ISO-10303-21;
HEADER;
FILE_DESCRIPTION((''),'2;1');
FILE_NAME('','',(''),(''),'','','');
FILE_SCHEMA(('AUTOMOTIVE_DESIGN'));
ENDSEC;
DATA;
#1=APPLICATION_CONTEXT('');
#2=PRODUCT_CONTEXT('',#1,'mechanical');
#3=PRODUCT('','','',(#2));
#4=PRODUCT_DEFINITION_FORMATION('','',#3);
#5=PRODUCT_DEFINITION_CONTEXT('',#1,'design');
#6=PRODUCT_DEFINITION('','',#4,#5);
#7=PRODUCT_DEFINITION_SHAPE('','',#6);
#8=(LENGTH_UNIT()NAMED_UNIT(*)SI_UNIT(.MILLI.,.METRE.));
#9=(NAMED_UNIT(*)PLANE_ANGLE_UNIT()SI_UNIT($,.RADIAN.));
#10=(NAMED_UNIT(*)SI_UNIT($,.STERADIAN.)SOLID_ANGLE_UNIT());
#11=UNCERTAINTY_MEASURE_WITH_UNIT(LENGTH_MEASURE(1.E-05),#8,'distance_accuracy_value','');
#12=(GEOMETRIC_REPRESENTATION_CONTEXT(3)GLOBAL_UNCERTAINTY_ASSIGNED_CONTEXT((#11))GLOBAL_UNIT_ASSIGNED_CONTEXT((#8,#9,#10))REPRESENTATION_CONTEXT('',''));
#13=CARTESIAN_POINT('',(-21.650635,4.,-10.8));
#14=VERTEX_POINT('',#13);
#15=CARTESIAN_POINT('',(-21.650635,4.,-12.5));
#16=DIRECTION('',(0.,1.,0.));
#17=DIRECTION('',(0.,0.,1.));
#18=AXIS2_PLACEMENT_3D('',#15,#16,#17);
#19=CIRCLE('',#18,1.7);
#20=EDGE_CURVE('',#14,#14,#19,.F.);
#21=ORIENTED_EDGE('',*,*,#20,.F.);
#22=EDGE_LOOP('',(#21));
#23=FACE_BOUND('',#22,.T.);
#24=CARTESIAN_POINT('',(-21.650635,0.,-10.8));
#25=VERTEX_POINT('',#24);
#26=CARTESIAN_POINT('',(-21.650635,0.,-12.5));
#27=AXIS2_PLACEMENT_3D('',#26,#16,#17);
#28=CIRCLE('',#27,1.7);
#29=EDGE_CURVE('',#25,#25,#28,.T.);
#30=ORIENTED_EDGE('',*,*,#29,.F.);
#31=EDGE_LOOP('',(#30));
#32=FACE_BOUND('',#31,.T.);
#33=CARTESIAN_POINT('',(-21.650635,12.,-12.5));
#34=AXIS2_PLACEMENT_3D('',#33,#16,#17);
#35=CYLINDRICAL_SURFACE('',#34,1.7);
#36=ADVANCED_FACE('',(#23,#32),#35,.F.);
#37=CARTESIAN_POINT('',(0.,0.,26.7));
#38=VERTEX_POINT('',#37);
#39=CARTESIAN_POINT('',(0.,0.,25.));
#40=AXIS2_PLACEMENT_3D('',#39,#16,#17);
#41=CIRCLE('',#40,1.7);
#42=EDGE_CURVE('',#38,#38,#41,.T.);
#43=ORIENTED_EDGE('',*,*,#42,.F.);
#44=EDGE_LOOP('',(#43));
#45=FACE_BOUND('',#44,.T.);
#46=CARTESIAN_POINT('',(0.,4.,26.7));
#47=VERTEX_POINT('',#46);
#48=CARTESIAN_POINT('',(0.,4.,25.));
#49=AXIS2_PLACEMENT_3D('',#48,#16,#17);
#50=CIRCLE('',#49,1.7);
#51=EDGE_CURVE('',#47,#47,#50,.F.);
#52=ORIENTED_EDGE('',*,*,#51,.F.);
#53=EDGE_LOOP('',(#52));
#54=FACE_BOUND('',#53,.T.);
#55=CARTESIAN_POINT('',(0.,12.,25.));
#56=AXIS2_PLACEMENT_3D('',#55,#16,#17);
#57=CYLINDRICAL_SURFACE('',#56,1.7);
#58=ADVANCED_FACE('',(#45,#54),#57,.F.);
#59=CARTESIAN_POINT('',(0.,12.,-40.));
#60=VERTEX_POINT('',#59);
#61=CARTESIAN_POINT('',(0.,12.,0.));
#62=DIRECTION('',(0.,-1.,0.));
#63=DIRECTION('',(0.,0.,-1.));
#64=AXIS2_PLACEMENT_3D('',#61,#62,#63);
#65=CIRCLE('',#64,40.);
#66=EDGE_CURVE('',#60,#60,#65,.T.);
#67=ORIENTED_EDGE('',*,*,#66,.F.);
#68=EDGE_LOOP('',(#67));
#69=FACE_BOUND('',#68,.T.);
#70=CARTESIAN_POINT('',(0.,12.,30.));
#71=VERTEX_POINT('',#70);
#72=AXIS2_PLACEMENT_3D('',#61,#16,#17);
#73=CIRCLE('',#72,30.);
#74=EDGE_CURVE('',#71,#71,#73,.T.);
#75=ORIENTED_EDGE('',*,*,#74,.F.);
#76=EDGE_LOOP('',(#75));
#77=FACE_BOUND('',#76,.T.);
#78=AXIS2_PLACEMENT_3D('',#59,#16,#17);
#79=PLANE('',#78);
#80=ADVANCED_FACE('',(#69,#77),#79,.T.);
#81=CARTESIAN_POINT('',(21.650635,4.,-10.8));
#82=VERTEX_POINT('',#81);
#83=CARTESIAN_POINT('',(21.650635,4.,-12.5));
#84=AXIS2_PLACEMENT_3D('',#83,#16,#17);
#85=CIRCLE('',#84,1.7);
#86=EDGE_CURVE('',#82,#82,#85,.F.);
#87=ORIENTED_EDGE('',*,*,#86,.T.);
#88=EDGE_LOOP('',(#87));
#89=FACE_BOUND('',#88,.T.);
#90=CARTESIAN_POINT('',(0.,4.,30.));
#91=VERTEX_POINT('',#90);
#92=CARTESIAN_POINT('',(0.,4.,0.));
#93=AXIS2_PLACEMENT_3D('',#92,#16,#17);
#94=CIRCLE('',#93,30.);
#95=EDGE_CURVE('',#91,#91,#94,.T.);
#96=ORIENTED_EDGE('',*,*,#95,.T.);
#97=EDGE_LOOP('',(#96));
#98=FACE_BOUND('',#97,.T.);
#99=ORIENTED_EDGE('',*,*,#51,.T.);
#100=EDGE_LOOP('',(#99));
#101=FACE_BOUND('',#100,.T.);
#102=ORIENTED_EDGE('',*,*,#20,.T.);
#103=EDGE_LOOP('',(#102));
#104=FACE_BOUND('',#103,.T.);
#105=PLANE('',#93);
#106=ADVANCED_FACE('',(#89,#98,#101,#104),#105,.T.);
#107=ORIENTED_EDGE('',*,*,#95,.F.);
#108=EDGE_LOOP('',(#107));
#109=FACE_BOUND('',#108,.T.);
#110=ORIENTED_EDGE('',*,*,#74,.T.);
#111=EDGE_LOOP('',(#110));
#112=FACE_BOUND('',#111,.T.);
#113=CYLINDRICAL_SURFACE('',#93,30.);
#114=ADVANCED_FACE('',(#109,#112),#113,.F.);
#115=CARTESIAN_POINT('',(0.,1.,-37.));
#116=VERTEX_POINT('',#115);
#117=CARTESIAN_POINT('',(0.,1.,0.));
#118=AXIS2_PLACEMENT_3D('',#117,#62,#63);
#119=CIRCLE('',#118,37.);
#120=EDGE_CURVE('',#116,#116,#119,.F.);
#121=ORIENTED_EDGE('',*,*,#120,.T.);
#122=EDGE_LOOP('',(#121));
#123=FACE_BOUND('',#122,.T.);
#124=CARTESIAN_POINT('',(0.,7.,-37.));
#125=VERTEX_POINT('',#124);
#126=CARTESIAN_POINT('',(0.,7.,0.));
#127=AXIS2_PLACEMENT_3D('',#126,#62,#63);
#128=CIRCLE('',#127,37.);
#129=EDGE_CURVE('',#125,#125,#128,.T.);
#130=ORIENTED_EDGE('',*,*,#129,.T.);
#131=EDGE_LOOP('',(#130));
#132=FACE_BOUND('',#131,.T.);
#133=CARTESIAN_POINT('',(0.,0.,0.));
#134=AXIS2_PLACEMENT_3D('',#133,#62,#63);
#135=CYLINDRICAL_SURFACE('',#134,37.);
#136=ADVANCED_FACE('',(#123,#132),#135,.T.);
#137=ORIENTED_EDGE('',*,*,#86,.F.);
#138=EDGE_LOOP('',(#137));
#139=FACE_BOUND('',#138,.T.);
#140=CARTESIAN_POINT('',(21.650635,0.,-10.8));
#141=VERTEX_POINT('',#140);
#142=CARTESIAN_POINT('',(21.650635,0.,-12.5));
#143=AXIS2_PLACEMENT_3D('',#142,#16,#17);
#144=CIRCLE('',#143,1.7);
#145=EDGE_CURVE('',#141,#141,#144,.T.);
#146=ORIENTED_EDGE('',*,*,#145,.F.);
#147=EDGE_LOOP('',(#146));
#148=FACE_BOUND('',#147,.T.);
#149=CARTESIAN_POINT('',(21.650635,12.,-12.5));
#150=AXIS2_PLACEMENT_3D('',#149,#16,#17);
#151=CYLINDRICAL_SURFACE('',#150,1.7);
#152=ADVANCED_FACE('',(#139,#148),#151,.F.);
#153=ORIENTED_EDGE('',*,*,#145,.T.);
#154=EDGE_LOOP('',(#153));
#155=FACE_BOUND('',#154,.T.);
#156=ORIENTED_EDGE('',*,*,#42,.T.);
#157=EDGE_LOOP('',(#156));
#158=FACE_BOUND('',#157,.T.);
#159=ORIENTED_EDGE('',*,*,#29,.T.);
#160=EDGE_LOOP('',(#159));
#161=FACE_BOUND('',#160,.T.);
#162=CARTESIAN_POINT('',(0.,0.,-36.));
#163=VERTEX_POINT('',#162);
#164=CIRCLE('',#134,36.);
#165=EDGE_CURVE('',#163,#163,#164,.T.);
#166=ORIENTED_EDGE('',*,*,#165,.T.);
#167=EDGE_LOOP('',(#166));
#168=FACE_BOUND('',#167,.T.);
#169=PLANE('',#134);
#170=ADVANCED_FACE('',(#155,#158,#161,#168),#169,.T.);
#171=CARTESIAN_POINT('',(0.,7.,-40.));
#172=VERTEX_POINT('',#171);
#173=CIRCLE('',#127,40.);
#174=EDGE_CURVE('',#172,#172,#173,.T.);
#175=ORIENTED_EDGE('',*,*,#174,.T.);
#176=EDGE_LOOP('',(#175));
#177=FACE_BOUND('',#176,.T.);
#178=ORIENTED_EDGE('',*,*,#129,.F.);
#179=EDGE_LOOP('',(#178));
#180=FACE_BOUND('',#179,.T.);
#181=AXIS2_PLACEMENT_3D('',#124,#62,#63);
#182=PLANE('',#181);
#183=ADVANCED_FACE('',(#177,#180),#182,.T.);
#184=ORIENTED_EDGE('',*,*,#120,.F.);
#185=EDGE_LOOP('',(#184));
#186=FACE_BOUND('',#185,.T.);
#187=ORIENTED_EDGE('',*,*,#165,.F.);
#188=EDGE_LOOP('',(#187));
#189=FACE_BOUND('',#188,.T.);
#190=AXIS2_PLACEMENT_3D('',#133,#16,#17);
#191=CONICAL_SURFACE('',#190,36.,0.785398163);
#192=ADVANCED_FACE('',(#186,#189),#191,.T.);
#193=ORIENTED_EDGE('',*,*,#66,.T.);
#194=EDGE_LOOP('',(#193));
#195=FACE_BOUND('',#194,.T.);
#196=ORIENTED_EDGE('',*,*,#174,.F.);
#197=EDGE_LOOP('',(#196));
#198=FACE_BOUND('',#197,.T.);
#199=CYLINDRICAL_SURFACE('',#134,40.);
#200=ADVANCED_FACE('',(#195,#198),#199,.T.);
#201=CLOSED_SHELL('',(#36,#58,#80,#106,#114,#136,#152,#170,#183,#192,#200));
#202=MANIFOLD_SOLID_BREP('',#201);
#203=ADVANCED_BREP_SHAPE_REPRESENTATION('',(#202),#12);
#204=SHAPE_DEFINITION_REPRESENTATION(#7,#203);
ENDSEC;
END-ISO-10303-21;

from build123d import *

# Parameters (mm, degrees)
CHAMFER_1_SIZE      = 1
HOLE_WIZARD_M3_1_D  = 3.4
SKETCH_4_R          = 30
CUT_EXTRUDE_1_DEPTH = 8


with BuildPart() as part:
    # 草图1 → 旋转1 (revolve)
    with BuildSketch(Plane(origin=(0, 0, 0), x_dir=(0, 0, -1), z_dir=(1, 0, 0))):
        Polygon((0, 0), (37, 0), (37, 7), (40, 7), (40, 12), (0, 12), align=None)
    revolve(axis=Axis((0, 0, 0), (0, 1, 0)))

    # 倒角1
    chamfer_1_edges = [part.edges().sort_by_distance(p)[0] for p in [
        (0, 0, 37),
    ]]
    chamfer(chamfer_1_edges, length=CHAMFER_1_SIZE)

    # M3 间隙孔1 (through all)
    with Locations(Plane(origin=(0, 12, 0), x_dir=(-1, 0, 0), z_dir=(0, 1, 0))):
        with Locations((0, 25), (-21.650635095, -12.5), (21.650635095, -12.5)):
            Hole(HOLE_WIZARD_M3_1_D / 2)

    # 草图4 → 切除-拉伸1 (cut)
    with BuildSketch(Plane(origin=(0, 12, 0), x_dir=(1, 0, 0), z_dir=(0, 1, 0))):
        with Locations(Location((0, 0, 0), (0, 0, 270))):
            Circle(SKETCH_4_R)
    extrude(amount=-CUT_EXTRUDE_1_DEPTH, mode=Mode.SUBTRACT)


solid = part.part
